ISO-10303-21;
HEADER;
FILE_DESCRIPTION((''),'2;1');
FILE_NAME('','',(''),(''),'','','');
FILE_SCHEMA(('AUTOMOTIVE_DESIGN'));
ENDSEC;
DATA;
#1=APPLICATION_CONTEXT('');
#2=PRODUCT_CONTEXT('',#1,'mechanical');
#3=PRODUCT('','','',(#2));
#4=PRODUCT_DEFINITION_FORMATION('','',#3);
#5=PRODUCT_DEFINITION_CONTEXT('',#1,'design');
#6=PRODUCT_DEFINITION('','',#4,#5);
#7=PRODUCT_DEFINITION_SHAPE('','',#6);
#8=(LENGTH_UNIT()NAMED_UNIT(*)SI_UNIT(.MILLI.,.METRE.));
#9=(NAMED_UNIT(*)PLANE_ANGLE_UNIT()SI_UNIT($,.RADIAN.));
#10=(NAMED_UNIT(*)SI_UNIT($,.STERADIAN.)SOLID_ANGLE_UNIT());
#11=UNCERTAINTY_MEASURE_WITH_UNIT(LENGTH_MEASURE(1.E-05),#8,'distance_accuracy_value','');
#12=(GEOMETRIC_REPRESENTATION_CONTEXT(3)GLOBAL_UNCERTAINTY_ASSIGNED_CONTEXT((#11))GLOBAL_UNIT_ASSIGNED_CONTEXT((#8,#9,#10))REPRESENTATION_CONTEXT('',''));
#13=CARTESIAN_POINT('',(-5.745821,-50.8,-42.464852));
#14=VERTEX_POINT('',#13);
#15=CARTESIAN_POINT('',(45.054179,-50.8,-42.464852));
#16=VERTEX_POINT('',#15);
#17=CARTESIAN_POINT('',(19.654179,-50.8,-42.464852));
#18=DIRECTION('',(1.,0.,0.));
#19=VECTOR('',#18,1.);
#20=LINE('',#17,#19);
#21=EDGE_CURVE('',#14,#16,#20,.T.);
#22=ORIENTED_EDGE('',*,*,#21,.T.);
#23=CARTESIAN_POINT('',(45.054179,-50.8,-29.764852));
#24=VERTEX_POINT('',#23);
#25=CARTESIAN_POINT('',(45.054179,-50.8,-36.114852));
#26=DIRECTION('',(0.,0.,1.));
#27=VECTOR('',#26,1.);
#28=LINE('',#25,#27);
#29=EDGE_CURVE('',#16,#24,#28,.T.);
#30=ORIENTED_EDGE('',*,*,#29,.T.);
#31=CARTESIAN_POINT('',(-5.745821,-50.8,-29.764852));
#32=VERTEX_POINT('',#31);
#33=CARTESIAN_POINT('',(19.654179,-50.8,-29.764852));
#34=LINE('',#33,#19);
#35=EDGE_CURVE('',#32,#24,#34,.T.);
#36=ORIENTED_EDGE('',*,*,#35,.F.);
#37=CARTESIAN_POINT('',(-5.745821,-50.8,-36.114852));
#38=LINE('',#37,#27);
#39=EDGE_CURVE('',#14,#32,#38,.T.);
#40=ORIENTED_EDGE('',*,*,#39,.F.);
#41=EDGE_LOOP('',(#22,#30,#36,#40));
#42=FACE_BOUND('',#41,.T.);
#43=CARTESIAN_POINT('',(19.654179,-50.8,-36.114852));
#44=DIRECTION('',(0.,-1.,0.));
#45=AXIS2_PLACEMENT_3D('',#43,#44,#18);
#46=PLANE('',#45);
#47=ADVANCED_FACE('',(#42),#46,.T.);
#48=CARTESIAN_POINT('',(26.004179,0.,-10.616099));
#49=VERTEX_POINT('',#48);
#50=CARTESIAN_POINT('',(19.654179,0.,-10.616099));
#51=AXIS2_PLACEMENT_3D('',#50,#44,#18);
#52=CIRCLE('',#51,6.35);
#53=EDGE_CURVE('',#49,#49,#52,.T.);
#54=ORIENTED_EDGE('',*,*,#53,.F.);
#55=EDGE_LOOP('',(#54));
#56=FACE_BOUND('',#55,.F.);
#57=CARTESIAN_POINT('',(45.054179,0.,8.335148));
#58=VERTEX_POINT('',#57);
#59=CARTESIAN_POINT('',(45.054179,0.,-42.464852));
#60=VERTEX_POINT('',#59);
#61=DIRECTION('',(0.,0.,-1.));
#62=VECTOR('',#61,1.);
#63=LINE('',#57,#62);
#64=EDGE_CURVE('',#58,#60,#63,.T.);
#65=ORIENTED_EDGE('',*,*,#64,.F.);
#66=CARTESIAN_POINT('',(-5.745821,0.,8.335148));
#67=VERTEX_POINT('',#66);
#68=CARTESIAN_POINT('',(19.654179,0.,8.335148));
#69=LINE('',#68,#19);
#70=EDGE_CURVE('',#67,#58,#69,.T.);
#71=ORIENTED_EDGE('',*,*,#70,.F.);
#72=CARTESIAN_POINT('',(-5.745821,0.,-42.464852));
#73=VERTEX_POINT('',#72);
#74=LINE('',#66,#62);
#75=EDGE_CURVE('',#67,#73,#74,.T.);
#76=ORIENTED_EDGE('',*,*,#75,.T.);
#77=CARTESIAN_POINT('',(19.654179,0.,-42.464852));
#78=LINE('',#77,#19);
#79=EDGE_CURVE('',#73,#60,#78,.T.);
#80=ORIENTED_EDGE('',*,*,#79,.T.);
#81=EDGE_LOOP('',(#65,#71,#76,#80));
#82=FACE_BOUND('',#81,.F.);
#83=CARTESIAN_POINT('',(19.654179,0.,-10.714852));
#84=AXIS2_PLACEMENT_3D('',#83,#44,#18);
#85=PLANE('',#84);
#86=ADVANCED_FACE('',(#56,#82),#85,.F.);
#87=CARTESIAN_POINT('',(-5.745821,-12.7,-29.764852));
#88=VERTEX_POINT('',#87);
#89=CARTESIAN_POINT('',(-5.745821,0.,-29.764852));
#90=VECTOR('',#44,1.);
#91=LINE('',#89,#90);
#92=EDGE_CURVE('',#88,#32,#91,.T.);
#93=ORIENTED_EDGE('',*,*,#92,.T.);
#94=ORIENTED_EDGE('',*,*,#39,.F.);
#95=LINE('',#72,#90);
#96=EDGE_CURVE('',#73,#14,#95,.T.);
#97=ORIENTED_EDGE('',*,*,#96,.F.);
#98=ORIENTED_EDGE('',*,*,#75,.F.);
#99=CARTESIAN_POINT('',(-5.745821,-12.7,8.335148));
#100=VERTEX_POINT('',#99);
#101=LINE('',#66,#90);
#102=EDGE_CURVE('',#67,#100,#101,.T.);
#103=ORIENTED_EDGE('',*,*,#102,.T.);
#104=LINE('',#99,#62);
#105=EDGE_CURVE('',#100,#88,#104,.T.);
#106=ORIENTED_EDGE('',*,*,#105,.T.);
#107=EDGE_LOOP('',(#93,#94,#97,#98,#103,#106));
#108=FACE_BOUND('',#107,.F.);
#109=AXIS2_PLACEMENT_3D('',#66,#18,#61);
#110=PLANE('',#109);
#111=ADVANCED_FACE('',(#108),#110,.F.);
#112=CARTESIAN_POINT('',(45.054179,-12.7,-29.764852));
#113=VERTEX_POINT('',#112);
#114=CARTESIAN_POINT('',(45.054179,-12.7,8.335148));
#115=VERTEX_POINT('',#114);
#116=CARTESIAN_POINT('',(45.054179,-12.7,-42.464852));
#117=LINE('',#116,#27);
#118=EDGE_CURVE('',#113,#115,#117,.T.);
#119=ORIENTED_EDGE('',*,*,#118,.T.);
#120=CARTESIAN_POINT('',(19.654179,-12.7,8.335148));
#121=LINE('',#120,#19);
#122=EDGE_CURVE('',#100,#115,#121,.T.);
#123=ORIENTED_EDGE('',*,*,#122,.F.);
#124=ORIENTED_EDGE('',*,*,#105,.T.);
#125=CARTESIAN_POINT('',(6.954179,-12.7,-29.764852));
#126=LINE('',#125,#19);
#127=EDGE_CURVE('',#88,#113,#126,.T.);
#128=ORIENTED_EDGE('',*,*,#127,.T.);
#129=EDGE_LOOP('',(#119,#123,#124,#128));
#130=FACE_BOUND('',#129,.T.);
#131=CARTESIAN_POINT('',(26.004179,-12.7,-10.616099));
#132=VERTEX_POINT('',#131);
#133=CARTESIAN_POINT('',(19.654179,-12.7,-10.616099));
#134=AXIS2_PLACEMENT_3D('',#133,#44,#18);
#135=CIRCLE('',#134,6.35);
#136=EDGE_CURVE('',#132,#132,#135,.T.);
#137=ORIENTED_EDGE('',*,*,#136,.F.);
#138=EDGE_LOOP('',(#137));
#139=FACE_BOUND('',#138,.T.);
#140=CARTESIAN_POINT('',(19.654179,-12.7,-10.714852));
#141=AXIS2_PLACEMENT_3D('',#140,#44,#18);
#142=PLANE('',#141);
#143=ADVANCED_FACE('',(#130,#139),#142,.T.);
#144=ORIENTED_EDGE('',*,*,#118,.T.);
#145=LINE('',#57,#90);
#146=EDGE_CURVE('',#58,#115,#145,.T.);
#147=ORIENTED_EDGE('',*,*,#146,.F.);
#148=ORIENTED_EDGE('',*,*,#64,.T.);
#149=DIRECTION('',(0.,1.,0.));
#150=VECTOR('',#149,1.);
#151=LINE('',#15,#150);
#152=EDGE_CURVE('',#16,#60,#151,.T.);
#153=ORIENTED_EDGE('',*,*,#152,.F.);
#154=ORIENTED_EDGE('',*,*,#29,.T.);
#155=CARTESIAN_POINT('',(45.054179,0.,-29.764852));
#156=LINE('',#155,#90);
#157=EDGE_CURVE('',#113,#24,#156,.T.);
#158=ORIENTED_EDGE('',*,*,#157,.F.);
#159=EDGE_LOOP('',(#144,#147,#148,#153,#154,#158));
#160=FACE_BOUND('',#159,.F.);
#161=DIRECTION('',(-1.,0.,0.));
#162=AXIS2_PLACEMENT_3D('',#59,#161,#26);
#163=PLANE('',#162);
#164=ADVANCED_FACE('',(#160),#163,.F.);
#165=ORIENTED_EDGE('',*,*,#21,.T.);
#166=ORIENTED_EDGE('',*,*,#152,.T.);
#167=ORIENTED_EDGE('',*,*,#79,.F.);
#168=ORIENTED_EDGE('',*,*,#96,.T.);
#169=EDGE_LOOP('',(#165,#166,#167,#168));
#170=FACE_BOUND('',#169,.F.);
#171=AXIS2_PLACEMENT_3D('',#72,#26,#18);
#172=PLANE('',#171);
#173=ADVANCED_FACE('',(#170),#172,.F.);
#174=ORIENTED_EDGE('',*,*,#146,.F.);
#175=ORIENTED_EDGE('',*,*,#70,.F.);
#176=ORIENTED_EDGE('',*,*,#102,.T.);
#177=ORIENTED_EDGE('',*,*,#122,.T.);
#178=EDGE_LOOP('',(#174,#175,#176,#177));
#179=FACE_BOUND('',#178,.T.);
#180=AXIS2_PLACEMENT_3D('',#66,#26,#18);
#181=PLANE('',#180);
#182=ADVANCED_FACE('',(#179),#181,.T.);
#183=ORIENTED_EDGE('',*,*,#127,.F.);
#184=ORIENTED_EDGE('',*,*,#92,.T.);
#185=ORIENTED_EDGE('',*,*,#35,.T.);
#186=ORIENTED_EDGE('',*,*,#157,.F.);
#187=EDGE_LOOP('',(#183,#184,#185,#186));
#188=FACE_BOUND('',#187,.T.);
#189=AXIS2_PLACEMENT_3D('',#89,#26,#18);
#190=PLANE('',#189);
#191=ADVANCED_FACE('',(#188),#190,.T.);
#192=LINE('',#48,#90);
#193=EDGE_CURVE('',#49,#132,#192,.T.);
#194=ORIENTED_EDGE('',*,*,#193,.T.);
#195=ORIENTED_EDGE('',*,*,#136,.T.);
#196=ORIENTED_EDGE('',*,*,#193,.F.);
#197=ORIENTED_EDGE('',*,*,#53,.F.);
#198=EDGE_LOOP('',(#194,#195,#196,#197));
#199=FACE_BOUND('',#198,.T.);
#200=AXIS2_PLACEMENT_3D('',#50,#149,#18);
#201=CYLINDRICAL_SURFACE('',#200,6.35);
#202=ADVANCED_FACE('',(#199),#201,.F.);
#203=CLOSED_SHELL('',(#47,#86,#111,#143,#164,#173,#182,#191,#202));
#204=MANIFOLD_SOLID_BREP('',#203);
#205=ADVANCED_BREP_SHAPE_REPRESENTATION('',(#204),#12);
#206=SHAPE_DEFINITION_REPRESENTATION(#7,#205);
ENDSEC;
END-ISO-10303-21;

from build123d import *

# Parameters (mm, degrees)
F0_W     = 50.8
F0_H     = 12.7
F1_DEPTH = 50.8
F0_H_2   = 38.1
F0_R     = 6.35
F2_DEPTH = 12.7


with BuildPart() as f1:
    # F0 (on Front) → F1 (new body)
    with BuildSketch(Plane.XZ):
        with Locations((19.654179, -36.114852)):
            Rectangle(F0_W, F0_H)
    extrude(amount=F1_DEPTH)

    # F0 (on Front) → F2 (join)
    with BuildSketch(Plane.XZ):
        with Locations((19.654179, -10.714852)):
            Rectangle(F0_W, F0_H_2)
        with Locations((19.654179, -10.616099)):
            Circle(F0_R, mode=Mode.SUBTRACT)
        with Locations((19.654179, -36.114852)):
            Rectangle(F0_W, F0_H)
    extrude(amount=F2_DEPTH)


solid = f1.part
